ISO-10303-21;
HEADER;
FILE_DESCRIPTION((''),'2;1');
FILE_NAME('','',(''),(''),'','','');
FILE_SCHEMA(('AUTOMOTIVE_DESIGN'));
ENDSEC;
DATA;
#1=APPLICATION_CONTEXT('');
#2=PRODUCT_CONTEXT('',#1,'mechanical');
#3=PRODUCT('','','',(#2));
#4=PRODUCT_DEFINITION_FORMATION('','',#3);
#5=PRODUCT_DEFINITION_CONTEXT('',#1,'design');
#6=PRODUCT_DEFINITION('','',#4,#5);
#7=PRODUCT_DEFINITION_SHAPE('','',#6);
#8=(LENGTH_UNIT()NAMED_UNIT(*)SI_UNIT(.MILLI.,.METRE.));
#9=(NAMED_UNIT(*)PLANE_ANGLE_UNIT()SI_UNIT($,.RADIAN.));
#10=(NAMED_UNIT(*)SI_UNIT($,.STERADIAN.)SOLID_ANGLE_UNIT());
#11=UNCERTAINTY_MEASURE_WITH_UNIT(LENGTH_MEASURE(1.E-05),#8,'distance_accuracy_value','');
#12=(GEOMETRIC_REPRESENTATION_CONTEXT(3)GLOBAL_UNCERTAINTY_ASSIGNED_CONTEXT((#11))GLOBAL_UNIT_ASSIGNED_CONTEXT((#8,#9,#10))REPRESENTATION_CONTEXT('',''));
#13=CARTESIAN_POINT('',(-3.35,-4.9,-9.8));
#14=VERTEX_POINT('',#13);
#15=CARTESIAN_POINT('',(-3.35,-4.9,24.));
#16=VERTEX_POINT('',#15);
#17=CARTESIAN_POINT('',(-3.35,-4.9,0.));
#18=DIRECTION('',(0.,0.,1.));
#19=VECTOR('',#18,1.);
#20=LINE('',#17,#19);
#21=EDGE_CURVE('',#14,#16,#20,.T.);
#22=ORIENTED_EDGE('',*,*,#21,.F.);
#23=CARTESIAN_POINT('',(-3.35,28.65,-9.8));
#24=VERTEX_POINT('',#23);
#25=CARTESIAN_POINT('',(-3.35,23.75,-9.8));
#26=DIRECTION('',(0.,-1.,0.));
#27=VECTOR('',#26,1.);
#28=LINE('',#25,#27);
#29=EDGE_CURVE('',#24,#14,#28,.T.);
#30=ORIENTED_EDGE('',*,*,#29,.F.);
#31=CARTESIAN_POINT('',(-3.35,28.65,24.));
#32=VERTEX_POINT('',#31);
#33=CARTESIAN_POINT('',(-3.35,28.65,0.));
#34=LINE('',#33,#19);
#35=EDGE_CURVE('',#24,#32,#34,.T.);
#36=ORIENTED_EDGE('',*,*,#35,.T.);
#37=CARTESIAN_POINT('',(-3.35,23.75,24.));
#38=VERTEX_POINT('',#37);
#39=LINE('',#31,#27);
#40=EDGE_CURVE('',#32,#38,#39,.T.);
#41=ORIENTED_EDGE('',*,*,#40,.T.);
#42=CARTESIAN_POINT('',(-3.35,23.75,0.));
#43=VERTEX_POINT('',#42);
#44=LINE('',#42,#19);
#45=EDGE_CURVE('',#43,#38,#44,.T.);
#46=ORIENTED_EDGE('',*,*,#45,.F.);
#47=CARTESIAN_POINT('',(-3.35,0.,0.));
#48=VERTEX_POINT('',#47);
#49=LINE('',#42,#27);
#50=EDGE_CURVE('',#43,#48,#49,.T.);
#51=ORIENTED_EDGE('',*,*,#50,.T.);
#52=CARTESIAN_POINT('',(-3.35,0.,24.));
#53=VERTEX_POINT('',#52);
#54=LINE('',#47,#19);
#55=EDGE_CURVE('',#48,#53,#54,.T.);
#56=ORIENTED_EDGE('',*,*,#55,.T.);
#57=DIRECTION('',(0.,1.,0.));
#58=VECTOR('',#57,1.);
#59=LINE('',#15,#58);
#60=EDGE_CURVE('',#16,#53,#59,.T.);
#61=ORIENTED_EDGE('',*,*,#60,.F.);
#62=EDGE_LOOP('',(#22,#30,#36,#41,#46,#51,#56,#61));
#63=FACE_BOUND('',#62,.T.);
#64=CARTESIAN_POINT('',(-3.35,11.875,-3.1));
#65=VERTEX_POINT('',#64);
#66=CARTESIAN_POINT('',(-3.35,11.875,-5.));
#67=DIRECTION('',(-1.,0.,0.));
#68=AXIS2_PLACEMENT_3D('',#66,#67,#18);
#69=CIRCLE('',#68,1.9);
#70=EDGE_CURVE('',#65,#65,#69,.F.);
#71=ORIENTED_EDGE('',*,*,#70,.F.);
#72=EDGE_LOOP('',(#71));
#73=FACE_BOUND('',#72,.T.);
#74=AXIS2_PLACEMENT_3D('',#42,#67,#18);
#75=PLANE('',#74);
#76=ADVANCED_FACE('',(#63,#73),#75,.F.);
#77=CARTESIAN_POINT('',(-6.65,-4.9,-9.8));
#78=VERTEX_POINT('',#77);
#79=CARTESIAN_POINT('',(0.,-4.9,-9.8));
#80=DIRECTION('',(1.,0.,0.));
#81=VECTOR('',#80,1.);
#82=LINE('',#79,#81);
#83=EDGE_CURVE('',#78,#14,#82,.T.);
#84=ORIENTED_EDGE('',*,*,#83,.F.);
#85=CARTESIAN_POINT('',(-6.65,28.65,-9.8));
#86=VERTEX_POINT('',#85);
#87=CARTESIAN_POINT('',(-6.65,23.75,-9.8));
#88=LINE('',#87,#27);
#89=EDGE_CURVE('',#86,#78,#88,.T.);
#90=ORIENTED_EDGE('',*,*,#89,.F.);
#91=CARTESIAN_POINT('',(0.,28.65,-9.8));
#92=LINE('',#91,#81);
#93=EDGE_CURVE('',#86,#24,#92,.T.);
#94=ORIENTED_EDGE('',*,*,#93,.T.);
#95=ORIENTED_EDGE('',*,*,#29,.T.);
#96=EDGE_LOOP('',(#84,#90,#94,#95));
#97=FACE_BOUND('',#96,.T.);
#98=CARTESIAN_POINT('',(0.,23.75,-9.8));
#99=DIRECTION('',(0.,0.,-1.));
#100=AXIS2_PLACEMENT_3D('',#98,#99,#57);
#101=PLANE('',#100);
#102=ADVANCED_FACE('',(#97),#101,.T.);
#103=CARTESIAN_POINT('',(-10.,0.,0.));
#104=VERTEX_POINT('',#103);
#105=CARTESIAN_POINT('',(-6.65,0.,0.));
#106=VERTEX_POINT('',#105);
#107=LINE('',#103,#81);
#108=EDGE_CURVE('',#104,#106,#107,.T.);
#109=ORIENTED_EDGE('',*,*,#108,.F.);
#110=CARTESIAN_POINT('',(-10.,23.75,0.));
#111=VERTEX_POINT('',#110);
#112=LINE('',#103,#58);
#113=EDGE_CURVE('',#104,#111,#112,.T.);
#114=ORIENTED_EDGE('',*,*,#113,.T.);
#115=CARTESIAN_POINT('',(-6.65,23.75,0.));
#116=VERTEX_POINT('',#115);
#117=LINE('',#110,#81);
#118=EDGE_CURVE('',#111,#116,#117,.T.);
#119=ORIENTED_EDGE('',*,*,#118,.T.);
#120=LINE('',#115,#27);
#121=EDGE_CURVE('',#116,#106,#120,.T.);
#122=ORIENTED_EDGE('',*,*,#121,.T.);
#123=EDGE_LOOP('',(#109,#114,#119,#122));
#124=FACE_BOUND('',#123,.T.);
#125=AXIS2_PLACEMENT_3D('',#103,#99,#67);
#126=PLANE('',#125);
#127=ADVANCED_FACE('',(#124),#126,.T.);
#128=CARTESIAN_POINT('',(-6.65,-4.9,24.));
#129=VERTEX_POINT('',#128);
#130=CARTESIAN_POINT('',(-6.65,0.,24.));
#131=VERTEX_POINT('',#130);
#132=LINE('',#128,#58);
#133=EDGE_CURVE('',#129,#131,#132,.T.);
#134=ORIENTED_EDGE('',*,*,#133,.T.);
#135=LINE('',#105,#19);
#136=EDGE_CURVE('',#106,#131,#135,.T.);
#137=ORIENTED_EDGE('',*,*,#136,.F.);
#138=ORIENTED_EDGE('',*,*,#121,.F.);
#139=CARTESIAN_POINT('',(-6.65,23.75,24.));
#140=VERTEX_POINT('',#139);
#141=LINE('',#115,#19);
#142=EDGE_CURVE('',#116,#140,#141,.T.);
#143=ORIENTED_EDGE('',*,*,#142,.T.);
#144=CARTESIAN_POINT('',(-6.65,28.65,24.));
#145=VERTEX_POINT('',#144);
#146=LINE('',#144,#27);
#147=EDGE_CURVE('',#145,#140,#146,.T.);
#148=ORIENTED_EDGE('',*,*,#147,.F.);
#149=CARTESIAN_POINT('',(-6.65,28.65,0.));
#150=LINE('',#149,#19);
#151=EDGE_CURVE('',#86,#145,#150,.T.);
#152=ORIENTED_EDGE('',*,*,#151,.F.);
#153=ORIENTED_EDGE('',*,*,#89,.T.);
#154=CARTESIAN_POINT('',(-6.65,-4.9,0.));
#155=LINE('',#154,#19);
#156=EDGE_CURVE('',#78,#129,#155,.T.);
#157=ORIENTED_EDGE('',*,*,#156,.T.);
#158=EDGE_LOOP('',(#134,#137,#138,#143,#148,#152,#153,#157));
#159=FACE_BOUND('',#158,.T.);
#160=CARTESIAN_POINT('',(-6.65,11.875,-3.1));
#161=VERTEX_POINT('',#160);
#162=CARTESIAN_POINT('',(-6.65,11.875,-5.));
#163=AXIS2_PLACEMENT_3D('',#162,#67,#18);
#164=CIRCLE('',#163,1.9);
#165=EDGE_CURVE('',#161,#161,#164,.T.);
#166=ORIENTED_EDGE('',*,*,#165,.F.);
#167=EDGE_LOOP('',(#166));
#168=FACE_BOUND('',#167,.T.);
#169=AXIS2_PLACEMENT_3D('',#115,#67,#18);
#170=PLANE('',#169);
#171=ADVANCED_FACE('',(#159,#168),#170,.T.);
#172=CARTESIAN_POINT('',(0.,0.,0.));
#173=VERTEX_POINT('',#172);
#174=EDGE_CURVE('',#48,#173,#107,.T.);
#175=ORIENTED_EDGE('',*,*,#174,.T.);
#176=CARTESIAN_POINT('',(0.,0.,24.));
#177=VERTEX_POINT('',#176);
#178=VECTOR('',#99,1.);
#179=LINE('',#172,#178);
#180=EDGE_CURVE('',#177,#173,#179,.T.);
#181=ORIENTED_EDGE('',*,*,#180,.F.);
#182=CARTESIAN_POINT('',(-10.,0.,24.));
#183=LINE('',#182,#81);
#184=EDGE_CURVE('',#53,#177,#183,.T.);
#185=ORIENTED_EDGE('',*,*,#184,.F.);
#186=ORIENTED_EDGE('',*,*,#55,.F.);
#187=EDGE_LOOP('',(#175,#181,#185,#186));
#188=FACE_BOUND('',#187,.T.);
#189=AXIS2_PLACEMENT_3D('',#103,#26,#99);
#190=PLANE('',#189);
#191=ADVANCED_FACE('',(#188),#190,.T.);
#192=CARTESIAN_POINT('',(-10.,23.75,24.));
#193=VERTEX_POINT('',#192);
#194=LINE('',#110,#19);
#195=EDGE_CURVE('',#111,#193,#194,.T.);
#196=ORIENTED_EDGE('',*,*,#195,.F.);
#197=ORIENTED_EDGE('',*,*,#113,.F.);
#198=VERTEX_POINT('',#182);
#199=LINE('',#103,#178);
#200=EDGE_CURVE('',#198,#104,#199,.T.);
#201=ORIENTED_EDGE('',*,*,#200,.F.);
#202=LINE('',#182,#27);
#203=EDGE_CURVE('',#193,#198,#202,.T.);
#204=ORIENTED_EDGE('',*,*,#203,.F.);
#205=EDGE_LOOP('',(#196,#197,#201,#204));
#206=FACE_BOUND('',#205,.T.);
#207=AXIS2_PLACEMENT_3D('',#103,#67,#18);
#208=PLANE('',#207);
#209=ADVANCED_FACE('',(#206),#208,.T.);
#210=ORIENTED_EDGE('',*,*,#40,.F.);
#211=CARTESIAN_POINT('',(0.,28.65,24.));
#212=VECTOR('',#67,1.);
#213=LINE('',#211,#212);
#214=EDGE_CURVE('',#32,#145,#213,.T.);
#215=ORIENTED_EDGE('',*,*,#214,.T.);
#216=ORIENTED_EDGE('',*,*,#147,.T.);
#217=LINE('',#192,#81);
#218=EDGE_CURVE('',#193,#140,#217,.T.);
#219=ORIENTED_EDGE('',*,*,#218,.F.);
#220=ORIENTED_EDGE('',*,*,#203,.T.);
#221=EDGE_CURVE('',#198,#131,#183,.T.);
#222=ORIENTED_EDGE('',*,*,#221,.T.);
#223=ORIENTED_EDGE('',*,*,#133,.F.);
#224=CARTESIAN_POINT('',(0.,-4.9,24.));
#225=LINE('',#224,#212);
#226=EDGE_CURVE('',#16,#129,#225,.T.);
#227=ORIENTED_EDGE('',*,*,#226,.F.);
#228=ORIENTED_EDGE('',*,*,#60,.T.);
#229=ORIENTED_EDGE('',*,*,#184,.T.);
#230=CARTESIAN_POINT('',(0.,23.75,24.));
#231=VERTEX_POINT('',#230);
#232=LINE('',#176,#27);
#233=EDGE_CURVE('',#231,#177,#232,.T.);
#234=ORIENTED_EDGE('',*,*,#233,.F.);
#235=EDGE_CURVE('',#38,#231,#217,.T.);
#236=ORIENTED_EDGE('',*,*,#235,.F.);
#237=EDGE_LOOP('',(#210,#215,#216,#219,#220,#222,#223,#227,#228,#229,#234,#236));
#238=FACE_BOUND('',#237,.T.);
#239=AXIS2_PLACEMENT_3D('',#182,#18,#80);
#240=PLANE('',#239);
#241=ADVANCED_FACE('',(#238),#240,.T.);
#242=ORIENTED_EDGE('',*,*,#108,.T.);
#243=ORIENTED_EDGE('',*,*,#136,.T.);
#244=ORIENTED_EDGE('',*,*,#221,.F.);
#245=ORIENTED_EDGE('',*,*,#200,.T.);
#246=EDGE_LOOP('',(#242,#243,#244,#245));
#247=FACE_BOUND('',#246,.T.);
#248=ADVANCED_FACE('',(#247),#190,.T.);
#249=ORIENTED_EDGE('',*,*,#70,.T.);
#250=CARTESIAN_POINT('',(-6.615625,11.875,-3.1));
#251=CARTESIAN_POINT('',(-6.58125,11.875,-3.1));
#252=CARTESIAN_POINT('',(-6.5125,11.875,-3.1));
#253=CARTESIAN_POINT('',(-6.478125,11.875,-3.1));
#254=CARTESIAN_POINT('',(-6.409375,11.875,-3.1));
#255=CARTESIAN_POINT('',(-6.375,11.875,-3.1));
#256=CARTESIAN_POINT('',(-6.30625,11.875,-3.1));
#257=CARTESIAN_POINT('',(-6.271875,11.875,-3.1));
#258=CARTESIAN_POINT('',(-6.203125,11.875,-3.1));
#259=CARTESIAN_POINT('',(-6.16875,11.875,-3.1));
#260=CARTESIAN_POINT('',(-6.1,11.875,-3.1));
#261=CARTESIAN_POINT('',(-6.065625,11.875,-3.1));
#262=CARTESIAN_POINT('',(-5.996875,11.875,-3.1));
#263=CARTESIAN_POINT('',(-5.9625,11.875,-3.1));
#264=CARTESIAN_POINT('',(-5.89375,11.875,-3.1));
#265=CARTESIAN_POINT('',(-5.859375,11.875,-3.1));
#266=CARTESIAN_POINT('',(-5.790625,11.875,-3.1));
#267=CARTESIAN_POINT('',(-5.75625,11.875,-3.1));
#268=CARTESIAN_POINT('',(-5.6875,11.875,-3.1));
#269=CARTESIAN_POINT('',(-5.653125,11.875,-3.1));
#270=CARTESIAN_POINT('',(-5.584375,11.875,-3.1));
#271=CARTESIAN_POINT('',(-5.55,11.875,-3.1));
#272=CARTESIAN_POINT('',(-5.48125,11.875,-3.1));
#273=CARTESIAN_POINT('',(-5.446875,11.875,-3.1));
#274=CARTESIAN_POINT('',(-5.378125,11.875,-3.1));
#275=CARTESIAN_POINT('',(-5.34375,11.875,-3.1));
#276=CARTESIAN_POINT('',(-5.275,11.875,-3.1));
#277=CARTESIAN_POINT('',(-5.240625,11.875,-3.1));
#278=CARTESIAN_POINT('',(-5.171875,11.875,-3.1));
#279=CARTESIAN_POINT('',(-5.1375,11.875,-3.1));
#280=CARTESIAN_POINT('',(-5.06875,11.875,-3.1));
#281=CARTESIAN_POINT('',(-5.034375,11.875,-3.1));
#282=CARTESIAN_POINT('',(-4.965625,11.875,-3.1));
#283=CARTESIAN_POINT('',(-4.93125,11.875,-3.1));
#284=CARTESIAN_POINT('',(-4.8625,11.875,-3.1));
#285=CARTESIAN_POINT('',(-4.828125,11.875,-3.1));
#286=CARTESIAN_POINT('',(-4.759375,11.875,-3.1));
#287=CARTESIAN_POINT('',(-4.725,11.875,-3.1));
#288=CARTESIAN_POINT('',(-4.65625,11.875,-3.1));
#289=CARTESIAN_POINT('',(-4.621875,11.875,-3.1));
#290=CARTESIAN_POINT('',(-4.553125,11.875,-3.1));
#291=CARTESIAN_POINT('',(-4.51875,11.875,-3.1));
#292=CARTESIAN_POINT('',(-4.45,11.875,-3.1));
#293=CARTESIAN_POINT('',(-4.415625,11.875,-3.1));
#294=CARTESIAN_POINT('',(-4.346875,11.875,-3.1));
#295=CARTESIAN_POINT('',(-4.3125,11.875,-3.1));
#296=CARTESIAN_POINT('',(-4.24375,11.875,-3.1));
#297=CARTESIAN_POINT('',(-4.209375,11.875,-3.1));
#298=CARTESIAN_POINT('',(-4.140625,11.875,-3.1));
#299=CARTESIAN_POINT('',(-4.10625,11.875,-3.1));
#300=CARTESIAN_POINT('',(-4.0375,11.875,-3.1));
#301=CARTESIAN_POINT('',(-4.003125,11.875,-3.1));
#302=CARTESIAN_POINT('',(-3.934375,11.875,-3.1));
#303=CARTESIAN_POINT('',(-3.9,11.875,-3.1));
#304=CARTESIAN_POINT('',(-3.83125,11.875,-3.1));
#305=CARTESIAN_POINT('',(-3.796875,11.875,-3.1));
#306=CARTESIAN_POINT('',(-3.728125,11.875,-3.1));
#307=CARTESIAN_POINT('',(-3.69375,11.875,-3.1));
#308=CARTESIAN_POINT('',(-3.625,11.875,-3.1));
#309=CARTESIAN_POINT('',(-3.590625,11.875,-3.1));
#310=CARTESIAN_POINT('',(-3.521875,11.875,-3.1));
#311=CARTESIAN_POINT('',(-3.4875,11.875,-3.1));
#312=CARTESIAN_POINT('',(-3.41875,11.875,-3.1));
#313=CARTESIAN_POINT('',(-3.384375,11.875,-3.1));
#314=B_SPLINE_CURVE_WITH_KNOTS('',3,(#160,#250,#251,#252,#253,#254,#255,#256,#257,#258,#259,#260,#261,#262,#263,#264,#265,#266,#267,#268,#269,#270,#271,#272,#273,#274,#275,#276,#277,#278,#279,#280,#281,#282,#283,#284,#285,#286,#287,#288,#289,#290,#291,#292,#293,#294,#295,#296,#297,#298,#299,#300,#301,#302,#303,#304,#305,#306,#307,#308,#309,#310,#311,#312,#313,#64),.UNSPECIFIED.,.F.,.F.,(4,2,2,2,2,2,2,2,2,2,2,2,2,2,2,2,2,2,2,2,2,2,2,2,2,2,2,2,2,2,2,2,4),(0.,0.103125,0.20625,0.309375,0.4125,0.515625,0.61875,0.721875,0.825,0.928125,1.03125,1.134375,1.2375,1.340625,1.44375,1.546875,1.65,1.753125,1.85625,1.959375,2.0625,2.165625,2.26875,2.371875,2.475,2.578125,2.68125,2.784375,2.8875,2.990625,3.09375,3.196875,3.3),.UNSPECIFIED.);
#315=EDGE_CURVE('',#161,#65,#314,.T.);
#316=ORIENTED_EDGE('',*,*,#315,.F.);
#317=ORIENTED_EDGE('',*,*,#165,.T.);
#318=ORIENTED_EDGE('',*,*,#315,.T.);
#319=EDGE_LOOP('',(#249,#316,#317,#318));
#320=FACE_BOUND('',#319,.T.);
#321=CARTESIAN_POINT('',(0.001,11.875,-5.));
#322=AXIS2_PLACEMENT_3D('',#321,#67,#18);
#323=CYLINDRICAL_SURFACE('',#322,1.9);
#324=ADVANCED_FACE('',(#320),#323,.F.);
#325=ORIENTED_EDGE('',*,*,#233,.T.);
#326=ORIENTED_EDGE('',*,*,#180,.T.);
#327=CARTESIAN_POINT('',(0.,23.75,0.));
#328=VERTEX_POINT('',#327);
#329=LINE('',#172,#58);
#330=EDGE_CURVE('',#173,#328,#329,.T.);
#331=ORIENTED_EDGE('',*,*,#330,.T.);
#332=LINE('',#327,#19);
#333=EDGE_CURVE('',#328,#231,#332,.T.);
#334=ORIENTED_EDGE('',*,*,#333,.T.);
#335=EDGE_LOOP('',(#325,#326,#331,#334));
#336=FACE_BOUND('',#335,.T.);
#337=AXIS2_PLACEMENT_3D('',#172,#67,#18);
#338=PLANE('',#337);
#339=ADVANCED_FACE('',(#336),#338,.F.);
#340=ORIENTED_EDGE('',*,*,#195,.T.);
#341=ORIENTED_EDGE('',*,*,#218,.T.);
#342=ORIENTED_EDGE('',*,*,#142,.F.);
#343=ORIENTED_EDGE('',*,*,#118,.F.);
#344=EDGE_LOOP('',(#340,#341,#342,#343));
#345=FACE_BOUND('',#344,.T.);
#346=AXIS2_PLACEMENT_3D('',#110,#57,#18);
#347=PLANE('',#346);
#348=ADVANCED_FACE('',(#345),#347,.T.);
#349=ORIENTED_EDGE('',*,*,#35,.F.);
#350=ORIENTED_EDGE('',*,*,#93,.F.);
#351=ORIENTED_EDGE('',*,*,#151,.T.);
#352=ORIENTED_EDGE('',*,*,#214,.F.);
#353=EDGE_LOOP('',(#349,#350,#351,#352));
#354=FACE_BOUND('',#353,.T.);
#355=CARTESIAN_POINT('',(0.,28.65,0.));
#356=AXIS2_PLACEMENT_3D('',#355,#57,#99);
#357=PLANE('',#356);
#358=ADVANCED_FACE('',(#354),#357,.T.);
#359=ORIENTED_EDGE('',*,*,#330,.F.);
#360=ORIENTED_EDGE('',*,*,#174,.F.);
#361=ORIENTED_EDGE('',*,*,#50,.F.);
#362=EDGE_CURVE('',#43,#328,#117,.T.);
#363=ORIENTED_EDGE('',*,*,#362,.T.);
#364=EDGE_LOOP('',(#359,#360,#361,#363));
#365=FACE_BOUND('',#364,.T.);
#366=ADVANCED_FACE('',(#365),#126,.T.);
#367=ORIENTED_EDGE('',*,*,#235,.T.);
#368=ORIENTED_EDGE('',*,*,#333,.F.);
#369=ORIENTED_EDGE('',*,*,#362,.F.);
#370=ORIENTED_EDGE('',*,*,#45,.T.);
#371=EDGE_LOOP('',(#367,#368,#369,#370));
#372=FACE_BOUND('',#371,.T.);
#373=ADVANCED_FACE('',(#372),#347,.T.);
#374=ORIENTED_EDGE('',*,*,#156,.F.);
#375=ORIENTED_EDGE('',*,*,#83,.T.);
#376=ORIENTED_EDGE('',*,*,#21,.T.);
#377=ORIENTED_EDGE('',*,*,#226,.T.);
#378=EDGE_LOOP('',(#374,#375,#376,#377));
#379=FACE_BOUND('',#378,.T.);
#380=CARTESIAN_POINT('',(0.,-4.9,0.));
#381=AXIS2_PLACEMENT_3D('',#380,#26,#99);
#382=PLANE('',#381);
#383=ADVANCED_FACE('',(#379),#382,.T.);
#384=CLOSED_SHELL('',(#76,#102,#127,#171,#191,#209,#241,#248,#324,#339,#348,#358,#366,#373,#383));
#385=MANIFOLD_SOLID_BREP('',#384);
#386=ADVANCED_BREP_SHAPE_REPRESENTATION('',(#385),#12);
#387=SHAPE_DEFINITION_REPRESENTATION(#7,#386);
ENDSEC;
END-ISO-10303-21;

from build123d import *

# Parameters (mm, degrees)
SKETCH1_W           = 23.75
SKETCH1_H           = 24
BOSS_EXTRUDE1_DEPTH = 10
SKETCH2_W           = 3.3
SKETCH2_H           = 9.8
BOSS_EXTRUDE2_DEPTH = 23.75
SKETCH3_W           = 3.3
SKETCH3_H           = 33.8
BOSS_EXTRUDE3_DEPTH = 4.9
CUT_EXTRUDE1_REACH  = 36.413
SKETCH4_R           = 1.9


with BuildPart() as part:
    # Sketch1 → Boss-Extrude1 (new body)
    with BuildSketch(Plane.YZ):
        with Locations((11.875, 12)):
            Rectangle(SKETCH1_W, SKETCH1_H)
    extrude(amount=-BOSS_EXTRUDE1_DEPTH)

    # Sketch2 → Boss-Extrude2 (add, through all)
    with BuildSketch(Plane.XZ):
        with Locations((-5, -4.9)):
            Rectangle(SKETCH2_W, SKETCH2_H)
    extrude(amount=-BOSS_EXTRUDE2_DEPTH)

    # Sketch3 → Boss-Extrude3 (add)
    with BuildSketch(Plane.XZ):
        with Locations((-5, 7.1)):
            Rectangle(SKETCH3_W, SKETCH3_H)
    boss_extrude3 = extrude(amount=BOSS_EXTRUDE3_DEPTH)

    # Sketch4 → Cut-Extrude1 (cut, up to next)
    with BuildSketch(Plane(origin=(-6.65, 0, 0), x_dir=(0, -1, 0), z_dir=(-1, 0, 0)), mode=Mode.PRIVATE) as cut_extrude1_sk1:
        with Locations(Location((-11.875, -5, 0), (0, 0, 90))):
            Circle(SKETCH4_R)
    cut_extrude1_tool1 = extrude(cut_extrude1_sk1.sketch, amount=-CUT_EXTRUDE1_REACH, mode=Mode.PRIVATE) & part.part
    add(cut_extrude1_tool1.solids().sort_by_distance((-6.65, 11.875, -5))[0], mode=Mode.SUBTRACT)

    # Mirror1: Boss-Extrude3 across plane
    add(boss_extrude3.mirror(Plane(origin=(0, 11.875, 0), x_dir=(0, 0, 1), z_dir=(0, -1, 0))))


solid = part.part
